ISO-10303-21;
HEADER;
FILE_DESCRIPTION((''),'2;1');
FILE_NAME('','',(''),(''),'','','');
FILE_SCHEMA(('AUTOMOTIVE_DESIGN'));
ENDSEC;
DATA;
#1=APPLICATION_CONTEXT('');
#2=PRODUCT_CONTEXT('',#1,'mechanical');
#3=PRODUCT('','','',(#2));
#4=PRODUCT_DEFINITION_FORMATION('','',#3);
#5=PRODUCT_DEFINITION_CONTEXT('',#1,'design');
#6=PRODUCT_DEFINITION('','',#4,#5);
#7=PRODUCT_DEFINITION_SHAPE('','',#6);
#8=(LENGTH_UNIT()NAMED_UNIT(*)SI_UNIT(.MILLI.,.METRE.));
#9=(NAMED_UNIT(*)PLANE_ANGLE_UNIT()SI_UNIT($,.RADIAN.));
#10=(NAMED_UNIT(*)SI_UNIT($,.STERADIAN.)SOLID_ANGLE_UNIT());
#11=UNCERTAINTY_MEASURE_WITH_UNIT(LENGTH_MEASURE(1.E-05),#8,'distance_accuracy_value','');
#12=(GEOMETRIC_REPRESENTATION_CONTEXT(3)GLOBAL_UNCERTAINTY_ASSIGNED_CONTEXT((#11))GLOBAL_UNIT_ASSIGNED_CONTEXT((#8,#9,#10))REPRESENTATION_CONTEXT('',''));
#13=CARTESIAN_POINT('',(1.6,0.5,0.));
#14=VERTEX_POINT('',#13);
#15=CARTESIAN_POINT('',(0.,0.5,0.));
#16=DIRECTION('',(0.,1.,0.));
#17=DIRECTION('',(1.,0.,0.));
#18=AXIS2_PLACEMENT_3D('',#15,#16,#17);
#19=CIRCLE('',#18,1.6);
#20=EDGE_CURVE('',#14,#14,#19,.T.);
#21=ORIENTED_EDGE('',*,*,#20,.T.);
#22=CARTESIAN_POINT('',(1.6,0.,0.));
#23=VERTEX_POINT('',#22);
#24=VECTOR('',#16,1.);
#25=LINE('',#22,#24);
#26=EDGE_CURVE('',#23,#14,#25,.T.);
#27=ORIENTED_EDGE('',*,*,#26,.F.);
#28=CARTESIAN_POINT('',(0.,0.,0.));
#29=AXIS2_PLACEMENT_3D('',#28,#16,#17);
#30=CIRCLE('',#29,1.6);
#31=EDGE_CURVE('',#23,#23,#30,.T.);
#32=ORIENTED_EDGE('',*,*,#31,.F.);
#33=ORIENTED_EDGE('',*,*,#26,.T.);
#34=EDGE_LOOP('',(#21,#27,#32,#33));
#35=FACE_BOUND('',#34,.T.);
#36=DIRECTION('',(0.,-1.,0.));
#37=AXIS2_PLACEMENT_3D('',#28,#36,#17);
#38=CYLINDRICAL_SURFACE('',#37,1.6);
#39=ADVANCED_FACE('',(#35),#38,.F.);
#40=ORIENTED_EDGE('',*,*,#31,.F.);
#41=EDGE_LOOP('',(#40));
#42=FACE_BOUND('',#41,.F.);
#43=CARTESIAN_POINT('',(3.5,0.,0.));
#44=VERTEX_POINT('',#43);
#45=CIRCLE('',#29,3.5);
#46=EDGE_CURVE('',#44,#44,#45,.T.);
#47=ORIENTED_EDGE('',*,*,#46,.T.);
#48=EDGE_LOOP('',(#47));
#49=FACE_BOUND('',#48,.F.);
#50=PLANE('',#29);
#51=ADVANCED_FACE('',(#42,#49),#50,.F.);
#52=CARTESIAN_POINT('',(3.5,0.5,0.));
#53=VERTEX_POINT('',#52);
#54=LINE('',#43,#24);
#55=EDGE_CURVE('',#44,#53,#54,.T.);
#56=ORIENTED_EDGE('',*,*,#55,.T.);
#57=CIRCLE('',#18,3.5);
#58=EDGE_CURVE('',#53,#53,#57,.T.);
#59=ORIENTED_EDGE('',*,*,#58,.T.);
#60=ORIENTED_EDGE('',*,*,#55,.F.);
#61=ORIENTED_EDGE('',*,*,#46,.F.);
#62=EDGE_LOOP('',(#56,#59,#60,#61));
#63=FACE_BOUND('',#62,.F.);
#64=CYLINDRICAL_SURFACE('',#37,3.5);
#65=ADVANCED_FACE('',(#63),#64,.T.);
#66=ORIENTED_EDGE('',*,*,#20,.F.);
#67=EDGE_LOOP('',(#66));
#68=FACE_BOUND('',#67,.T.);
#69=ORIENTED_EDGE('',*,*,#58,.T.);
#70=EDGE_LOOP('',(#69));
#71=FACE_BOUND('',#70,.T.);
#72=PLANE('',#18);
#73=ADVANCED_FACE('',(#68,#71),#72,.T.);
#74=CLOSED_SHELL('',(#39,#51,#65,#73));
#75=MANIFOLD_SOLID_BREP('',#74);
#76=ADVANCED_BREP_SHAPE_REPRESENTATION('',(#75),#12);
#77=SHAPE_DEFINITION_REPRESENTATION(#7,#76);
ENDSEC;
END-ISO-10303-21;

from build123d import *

# Parameters (mm, degrees)
ESBO_O1_R                = 3.5
ESBO_O1_R_2              = 1.6
RESSALTO_EXTRUS_O1_DEPTH = 0.5


with BuildPart() as part:
    # Esboço1 → Ressalto-extrusão1 (new body)
    with BuildSketch(Plane(origin=(0, 0, 0), x_dir=(1, 0, 0), z_dir=(0, 1, 0))):
        Circle(ESBO_O1_R)
        Circle(ESBO_O1_R_2, mode=Mode.SUBTRACT)
    extrude(amount=RESSALTO_EXTRUS_O1_DEPTH)


solid = part.part
